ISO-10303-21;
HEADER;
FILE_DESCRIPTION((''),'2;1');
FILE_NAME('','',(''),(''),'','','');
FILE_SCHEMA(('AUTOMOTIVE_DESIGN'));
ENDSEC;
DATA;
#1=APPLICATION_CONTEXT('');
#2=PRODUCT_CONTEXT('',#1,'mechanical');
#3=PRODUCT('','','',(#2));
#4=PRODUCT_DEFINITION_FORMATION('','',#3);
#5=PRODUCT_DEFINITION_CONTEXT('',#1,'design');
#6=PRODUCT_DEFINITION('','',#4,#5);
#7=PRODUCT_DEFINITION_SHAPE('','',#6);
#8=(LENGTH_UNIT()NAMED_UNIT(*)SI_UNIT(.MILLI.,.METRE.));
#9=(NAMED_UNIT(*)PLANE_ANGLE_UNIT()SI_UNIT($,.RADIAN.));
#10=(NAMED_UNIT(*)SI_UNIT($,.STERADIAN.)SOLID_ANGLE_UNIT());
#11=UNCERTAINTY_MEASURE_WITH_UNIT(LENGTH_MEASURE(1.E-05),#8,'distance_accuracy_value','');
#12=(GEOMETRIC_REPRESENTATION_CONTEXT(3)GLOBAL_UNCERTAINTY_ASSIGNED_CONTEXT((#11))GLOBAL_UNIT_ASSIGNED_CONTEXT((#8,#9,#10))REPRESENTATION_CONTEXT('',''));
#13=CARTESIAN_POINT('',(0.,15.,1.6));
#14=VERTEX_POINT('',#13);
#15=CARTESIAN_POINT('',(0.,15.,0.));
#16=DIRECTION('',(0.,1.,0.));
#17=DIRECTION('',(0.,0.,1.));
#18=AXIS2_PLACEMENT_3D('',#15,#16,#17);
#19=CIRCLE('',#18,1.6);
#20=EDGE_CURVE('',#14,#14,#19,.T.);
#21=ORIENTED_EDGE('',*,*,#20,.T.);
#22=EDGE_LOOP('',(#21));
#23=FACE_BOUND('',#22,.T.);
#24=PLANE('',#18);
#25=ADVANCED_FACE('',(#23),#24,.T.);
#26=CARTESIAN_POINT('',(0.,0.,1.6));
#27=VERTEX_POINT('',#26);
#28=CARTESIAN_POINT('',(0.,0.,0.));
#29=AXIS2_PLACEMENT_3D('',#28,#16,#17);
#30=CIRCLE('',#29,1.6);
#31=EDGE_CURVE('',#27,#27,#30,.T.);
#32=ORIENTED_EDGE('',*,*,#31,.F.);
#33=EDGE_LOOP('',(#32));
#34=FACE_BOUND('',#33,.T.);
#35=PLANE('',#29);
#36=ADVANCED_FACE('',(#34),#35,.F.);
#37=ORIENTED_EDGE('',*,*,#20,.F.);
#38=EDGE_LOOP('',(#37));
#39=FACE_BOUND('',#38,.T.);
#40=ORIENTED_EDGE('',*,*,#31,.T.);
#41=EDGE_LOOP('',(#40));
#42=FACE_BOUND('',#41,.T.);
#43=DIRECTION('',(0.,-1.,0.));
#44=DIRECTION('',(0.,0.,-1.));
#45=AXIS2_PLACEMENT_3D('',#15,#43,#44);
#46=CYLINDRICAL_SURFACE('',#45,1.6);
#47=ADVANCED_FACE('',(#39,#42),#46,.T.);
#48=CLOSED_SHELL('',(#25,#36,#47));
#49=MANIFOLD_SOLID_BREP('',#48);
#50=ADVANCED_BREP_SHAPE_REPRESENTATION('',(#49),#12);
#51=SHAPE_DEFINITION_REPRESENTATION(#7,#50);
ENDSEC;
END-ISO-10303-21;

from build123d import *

# Parameters (mm, degrees)
SKETCH_1_R      = 1.6
EXTRUDE_1_DEPTH = 15


with BuildPart() as part:
    # 草圖1 → 填料-伸長1 (new body)
    with BuildSketch(Plane(origin=(0, 0, 0), x_dir=(1, 0, 0), z_dir=(0, 1, 0))):
        Circle(SKETCH_1_R)
    extrude(amount=EXTRUDE_1_DEPTH)


solid = part.part
